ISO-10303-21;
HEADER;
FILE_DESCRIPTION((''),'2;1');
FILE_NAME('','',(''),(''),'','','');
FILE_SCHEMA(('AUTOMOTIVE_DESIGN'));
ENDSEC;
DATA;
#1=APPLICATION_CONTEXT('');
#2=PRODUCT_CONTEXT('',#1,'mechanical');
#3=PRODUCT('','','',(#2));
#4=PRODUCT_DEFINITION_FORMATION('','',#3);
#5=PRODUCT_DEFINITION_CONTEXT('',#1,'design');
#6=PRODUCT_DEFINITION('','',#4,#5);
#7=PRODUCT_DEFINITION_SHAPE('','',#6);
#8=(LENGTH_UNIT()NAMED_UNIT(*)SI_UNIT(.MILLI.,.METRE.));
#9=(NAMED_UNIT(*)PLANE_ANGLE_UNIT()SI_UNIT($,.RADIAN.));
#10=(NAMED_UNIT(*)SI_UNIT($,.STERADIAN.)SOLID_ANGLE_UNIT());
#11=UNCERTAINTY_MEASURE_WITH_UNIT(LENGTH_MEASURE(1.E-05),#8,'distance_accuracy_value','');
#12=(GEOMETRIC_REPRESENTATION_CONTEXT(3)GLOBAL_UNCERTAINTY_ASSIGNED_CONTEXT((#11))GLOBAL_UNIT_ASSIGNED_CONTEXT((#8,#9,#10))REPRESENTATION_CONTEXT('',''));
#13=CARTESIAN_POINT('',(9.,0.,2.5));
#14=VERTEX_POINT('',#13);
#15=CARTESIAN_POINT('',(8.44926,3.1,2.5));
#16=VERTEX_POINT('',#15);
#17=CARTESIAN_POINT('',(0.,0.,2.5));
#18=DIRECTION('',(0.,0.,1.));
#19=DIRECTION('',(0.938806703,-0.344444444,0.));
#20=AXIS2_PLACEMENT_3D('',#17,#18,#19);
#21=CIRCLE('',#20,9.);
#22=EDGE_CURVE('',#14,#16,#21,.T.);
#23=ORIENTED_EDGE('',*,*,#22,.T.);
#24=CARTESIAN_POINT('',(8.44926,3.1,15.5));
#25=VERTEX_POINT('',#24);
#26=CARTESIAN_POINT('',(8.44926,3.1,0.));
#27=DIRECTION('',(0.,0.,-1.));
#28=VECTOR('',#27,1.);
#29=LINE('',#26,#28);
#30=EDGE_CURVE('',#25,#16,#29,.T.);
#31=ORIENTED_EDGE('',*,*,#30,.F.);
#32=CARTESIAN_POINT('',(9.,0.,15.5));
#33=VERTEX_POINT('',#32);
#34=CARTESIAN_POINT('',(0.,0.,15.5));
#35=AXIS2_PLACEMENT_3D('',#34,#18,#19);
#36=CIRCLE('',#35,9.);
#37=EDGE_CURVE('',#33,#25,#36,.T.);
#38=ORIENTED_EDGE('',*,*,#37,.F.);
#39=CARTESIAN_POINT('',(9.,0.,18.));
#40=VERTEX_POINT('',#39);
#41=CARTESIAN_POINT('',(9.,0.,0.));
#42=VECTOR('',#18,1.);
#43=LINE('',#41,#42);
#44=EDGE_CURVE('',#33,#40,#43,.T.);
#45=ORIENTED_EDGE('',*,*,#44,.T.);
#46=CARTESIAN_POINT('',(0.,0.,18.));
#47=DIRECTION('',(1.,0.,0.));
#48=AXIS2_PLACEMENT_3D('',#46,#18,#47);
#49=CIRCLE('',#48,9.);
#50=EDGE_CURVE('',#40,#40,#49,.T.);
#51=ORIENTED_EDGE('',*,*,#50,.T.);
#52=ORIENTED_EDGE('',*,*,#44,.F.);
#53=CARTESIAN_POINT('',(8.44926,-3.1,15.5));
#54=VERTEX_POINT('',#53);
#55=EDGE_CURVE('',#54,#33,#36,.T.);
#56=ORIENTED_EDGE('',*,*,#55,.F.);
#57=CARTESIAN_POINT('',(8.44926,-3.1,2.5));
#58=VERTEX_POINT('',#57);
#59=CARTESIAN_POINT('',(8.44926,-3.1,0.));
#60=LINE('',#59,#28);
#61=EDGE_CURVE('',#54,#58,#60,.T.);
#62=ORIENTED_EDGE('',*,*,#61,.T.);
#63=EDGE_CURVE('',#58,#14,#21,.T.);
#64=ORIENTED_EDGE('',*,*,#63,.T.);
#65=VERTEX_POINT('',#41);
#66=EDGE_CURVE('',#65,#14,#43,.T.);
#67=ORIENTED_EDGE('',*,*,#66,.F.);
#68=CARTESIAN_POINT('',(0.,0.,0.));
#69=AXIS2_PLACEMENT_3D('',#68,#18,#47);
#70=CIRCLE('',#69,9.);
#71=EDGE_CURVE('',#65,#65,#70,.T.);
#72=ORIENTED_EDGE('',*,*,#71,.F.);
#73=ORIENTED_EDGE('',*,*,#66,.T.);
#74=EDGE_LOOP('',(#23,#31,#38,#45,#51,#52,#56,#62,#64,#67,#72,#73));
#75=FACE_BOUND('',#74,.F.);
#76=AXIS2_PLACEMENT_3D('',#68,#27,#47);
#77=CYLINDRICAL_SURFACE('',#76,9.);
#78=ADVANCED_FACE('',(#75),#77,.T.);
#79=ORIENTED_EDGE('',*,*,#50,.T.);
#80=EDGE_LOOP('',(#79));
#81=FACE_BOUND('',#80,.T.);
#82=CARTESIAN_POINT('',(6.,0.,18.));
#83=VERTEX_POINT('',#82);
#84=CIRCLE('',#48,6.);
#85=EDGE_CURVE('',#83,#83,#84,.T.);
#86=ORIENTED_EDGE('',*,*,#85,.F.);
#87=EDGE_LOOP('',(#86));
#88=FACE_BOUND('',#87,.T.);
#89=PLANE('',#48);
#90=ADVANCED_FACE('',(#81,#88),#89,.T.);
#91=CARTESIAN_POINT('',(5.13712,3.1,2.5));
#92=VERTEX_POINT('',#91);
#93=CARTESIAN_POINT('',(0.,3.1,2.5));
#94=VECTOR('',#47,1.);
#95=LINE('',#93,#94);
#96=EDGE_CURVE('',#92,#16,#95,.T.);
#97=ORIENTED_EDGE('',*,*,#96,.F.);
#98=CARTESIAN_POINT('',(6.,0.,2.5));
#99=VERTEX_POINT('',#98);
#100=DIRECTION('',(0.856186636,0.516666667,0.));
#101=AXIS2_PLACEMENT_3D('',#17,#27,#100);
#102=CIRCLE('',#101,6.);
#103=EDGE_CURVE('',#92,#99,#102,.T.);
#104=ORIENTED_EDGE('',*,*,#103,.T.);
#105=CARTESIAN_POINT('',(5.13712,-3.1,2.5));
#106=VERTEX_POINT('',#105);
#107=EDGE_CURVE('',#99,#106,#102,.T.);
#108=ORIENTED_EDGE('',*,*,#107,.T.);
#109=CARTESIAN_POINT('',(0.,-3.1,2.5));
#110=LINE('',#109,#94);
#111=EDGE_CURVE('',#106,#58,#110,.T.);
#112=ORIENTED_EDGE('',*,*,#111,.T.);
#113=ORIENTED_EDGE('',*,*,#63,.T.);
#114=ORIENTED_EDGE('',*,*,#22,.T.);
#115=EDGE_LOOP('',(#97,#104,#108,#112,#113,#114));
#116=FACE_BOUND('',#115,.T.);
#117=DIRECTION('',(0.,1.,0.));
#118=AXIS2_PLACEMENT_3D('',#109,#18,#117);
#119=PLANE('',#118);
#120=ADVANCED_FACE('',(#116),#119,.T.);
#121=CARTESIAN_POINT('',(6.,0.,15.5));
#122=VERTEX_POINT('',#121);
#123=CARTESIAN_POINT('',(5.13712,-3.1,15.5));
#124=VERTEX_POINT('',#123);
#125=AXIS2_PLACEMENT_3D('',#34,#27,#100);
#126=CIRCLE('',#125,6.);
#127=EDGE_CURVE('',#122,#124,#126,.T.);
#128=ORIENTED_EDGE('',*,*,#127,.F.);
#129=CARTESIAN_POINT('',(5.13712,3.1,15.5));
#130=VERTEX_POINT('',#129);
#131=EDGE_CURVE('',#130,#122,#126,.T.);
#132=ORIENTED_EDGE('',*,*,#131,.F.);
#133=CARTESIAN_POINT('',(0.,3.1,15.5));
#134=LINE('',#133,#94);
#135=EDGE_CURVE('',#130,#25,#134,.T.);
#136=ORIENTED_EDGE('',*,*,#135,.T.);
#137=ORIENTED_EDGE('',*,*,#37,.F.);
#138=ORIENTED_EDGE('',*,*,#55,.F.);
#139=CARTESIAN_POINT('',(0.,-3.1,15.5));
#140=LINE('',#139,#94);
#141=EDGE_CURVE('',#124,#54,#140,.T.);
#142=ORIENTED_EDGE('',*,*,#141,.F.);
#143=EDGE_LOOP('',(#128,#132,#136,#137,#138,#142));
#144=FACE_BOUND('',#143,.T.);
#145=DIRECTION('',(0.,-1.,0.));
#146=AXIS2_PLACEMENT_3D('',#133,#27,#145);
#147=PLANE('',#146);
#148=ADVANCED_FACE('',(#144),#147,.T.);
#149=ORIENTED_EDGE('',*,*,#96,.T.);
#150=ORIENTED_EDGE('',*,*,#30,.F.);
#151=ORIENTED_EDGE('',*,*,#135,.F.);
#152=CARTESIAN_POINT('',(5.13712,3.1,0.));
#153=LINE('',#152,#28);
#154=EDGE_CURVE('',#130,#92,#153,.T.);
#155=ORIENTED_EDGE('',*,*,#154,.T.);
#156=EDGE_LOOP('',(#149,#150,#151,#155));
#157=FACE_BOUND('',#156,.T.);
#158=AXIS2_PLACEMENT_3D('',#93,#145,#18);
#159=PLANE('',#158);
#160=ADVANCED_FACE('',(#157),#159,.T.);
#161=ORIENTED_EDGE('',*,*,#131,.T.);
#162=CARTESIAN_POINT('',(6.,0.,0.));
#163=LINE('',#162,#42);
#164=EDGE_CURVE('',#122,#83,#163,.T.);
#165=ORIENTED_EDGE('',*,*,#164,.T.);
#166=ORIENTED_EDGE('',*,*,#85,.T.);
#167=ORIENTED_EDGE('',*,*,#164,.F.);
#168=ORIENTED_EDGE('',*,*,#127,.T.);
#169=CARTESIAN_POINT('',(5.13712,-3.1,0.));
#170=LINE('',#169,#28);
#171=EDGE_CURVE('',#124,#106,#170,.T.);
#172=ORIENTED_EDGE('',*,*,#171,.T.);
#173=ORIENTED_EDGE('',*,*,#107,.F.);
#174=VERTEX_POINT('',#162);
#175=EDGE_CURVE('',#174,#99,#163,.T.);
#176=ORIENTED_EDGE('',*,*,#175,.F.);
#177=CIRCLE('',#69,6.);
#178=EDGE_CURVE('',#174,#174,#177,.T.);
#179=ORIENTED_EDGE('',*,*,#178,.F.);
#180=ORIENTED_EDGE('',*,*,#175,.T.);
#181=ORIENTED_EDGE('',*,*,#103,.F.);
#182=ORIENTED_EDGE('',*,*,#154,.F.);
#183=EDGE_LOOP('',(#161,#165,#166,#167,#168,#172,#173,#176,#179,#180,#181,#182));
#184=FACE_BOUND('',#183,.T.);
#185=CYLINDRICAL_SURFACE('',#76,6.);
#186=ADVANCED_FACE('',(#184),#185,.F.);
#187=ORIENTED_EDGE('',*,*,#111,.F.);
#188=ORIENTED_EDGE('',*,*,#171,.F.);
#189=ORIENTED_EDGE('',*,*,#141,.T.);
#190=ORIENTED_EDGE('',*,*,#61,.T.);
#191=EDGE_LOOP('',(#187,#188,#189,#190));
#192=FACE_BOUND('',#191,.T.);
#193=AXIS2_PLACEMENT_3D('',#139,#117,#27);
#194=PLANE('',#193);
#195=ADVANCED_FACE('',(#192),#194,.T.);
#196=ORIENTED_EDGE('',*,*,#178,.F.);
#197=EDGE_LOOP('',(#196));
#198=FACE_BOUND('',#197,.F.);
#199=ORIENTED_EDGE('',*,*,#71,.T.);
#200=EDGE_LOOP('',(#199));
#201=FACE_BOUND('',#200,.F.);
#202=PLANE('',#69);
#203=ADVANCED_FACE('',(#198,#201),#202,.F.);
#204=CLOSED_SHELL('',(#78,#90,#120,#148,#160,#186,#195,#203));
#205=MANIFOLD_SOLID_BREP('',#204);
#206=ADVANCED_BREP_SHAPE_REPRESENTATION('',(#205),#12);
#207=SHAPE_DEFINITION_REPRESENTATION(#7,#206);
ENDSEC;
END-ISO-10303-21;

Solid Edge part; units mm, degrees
sketch "Sketch1" plane through (0, 0, 0) normal (0, 0, 1) x (1, 0, 0)
  circle A0 centre (0, 0) radius 6
  circle A1 centre (0, 0) radius 9
  dimension "D1" = 12
  dimension "D2" = 18
extrude "Protrusion1" add sketch "Sketch1" along normal blind 18
sketch "Sketch2" plane through (0, 0, 0) normal (-1, 0, 0) x (0, -1, 0)
  line L0 (-3.1, 15.5) -> (3.1, 15.5)
  line L1 (3.1, 15.5) -> (3.1, 2.5)
  line L2 (3.1, 2.5) -> (-3.1, 2.5)
  line L3 (-3.1, 2.5) -> (-3.1, 15.5)
  dimension "D1" = 6.2
  dimension "D2" = 13
extrude "Cutout1" cut sketch "Sketch2" against normal up to next
